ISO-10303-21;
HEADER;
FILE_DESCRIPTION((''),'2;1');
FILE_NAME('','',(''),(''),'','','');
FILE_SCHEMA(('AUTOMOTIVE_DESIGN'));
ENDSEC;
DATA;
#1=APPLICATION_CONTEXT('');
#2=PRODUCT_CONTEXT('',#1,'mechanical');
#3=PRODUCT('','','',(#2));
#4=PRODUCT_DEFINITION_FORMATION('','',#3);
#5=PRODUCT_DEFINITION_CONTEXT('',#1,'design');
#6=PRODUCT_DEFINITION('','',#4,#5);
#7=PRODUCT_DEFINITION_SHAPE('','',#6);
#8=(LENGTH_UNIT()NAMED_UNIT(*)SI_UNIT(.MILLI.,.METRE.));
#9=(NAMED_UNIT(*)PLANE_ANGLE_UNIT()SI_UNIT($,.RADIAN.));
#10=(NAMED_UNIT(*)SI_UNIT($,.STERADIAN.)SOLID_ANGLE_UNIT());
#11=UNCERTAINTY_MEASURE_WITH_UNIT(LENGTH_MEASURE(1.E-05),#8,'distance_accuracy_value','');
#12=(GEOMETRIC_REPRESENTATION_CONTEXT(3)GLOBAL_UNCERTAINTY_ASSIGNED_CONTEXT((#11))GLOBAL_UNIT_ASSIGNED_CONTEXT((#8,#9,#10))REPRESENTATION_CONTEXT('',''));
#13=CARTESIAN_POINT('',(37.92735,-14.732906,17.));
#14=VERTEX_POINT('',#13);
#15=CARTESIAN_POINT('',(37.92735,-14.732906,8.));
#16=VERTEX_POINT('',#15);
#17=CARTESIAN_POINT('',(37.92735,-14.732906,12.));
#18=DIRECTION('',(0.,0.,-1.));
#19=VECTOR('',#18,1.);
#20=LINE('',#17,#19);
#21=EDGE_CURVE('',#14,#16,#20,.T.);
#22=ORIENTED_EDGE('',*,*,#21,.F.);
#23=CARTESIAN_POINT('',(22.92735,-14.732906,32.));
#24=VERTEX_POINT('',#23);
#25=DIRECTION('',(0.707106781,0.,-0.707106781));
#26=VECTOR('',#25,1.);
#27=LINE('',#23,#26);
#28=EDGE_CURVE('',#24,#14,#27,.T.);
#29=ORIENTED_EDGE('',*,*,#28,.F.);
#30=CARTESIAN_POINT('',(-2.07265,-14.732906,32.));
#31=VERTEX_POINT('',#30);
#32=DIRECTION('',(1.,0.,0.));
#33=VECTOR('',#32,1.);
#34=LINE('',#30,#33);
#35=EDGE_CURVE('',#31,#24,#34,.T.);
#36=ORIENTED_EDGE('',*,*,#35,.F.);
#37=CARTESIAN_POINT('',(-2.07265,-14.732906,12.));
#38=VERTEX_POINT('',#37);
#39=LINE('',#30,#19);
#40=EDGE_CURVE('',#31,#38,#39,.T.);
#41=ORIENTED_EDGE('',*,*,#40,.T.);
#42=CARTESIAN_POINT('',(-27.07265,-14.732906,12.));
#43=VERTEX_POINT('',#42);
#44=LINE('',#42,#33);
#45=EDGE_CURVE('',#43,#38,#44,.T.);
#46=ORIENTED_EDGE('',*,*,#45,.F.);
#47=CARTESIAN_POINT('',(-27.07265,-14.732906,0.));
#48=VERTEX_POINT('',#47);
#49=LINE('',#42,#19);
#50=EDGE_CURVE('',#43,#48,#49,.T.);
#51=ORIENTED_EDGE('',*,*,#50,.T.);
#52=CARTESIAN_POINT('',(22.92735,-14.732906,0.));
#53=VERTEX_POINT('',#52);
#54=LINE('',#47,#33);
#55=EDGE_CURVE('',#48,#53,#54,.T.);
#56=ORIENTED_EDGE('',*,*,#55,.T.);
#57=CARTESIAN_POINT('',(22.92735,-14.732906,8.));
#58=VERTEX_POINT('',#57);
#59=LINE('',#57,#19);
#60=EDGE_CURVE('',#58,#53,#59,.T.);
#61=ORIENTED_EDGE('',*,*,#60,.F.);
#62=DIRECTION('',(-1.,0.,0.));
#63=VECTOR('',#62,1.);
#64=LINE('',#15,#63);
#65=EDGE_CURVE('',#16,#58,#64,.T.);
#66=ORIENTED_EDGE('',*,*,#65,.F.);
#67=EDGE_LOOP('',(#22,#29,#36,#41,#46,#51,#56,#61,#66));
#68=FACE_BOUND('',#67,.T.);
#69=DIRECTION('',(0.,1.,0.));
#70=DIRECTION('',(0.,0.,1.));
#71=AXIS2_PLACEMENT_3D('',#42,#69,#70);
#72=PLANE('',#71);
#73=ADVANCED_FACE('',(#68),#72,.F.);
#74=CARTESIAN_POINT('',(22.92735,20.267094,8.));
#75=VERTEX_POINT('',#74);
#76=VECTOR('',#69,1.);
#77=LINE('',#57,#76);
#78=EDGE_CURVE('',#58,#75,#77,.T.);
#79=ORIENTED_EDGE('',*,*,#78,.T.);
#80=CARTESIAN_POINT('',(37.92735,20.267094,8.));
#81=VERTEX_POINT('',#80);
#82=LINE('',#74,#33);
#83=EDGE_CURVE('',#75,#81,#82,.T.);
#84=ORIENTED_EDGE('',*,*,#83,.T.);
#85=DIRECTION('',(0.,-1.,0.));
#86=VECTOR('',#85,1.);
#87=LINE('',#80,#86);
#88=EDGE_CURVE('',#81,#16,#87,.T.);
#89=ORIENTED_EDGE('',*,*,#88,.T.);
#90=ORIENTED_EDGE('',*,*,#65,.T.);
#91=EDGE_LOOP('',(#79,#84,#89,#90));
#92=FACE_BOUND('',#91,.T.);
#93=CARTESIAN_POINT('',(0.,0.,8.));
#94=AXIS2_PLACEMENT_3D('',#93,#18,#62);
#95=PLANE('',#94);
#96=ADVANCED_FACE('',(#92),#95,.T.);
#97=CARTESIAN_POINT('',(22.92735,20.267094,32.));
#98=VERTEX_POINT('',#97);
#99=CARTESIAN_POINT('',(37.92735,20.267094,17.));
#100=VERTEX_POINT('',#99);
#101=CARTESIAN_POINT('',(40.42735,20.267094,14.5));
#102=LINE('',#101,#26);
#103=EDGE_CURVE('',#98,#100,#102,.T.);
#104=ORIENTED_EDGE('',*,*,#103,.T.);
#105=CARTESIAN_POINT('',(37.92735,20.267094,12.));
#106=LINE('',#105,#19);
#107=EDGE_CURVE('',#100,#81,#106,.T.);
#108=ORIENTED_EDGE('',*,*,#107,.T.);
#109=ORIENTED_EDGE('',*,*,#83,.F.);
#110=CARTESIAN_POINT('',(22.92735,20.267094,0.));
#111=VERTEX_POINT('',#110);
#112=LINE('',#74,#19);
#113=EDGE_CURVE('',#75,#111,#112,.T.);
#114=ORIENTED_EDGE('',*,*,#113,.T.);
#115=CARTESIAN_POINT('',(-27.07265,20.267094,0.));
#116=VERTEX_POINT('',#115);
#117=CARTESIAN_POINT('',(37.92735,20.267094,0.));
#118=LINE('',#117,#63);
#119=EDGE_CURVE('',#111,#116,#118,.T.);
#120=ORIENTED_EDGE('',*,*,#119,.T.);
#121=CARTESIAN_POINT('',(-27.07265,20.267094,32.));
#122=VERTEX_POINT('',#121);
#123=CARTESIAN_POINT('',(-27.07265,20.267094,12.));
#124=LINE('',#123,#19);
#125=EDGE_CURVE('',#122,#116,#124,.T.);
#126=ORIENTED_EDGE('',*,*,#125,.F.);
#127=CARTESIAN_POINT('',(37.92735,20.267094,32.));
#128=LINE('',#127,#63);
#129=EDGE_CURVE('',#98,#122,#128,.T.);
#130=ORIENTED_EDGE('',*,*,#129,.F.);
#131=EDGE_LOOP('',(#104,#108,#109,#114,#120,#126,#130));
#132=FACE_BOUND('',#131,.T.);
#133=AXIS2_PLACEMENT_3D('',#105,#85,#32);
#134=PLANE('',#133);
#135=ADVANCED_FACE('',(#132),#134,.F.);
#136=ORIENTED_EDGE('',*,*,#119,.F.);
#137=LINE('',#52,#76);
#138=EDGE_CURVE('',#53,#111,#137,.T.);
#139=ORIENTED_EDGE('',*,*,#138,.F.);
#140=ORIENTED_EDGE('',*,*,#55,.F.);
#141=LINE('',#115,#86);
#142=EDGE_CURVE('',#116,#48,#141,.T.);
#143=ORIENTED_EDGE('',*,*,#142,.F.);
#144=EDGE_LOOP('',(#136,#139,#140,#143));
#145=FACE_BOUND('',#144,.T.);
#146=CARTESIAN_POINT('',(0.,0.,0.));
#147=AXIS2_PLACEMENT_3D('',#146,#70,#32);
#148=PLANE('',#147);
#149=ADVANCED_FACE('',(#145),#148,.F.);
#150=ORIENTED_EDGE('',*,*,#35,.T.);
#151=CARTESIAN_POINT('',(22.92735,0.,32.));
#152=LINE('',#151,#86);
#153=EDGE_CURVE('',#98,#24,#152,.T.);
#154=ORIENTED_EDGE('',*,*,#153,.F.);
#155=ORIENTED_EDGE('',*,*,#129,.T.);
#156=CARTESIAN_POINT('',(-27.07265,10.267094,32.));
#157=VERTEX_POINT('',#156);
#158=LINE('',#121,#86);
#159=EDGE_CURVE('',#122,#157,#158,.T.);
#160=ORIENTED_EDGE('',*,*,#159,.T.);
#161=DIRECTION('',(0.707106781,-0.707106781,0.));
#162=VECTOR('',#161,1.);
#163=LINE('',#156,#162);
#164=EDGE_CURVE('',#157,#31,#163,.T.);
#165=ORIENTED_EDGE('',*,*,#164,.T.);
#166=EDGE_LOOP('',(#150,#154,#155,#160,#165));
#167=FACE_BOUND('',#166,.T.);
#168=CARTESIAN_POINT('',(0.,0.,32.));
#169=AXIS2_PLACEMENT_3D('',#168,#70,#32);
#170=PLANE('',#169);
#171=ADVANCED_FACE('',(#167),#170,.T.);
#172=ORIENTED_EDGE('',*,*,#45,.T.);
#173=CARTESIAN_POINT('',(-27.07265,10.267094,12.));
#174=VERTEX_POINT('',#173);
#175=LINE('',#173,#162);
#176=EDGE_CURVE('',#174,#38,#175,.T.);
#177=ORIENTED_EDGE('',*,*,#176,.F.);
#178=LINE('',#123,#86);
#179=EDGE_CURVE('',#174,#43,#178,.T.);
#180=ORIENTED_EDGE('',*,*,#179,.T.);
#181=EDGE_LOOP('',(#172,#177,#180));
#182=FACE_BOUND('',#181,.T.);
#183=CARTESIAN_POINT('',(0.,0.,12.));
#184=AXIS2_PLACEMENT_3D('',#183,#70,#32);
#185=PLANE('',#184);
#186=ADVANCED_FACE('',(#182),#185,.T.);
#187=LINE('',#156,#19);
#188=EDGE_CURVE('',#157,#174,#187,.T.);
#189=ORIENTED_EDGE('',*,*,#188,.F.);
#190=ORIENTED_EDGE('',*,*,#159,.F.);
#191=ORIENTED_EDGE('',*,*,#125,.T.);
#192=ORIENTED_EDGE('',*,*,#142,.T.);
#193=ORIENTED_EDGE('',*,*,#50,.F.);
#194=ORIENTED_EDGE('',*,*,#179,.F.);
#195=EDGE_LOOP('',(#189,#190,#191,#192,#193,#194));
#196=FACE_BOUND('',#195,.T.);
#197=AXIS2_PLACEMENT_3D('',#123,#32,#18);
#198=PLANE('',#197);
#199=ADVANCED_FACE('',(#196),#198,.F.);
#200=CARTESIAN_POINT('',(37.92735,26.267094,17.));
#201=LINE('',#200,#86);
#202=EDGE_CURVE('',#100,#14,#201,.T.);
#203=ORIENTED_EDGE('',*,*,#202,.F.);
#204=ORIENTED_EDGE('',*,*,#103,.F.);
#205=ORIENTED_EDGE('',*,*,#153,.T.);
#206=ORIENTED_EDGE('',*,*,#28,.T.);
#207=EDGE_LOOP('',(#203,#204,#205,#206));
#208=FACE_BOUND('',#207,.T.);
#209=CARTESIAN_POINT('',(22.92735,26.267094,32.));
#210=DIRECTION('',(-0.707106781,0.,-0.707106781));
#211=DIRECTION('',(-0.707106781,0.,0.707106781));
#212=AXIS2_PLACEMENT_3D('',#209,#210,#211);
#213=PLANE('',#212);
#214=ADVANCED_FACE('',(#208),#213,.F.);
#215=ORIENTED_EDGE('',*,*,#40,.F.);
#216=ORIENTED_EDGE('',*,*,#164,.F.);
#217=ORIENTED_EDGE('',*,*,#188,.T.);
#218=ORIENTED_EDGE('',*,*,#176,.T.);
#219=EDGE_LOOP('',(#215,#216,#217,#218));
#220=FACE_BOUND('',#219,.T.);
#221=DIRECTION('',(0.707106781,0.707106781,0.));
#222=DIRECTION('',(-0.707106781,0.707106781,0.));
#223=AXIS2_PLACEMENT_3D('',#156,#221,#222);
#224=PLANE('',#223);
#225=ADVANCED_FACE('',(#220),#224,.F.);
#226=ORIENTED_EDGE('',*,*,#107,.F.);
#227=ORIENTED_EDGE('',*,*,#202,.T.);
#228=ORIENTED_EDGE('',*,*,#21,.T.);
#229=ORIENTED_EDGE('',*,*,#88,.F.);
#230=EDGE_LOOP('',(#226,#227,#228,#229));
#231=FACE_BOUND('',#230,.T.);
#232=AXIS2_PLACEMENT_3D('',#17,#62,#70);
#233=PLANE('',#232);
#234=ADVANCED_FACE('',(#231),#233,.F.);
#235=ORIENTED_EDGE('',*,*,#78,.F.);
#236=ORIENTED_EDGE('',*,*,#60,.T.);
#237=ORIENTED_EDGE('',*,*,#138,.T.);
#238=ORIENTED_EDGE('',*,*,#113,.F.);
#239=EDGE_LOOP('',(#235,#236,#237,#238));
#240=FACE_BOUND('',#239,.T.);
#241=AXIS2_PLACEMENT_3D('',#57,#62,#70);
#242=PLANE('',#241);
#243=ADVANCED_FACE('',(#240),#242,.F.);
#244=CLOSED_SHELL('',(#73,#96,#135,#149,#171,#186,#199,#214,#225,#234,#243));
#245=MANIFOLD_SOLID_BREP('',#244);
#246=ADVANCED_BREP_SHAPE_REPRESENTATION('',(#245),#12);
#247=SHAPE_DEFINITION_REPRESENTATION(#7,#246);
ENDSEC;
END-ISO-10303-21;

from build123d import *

# Parameters (mm, degrees)
SKETCH1_W           = 65
SKETCH1_H           = 35
BOSS_EXTRUDE1_DEPTH = 12
SKETCH2_W           = 15
SKETCH2_H           = 35
CUT_EXTRUDE1_DEPTH  = 8
BOSS_EXTRUDE3_DEPTH = 20
CUT_EXTRUDE2_DEPTH  = 41


with BuildPart() as part:
    # Sketch1 → Boss-Extrude1 (new body)
    with BuildSketch(Plane.XY):
        with Locations((5.427350427, 2.767094017)):
            Rectangle(SKETCH1_W, SKETCH1_H)
    extrude(amount=BOSS_EXTRUDE1_DEPTH)

    # Sketch2 → Cut-Extrude1 (cut)
    with BuildSketch(Plane(origin=(0, 0, 0), x_dir=(-1, 0, 0), z_dir=(0, 0, -1))):
        with Locations((-30.427350427, 2.767094017)):
            Rectangle(SKETCH2_W, SKETCH2_H)
    extrude(amount=-CUT_EXTRUDE1_DEPTH, mode=Mode.SUBTRACT)

    # Sketch3 → Boss-Extrude3 (add)
    with BuildSketch(Plane.XY.offset(12)):
        Polygon((-27.072649573, 20.267094017), (-27.072649573, 10.267094017), (-2.072649573, -14.732905983), (37.927350427, -14.732905983), (37.927350427, 20.267094017), align=None)
    extrude(amount=BOSS_EXTRUDE3_DEPTH)

    # Sketch4 → Cut-Extrude2 (cut)
    with BuildSketch(Plane.XZ.offset(14.732905983)):
        Polygon((37.927350427, 32), (22.927350427, 32), (37.927350427, 17), align=None)
    extrude(amount=-CUT_EXTRUDE2_DEPTH, mode=Mode.SUBTRACT)


solid = part.part
